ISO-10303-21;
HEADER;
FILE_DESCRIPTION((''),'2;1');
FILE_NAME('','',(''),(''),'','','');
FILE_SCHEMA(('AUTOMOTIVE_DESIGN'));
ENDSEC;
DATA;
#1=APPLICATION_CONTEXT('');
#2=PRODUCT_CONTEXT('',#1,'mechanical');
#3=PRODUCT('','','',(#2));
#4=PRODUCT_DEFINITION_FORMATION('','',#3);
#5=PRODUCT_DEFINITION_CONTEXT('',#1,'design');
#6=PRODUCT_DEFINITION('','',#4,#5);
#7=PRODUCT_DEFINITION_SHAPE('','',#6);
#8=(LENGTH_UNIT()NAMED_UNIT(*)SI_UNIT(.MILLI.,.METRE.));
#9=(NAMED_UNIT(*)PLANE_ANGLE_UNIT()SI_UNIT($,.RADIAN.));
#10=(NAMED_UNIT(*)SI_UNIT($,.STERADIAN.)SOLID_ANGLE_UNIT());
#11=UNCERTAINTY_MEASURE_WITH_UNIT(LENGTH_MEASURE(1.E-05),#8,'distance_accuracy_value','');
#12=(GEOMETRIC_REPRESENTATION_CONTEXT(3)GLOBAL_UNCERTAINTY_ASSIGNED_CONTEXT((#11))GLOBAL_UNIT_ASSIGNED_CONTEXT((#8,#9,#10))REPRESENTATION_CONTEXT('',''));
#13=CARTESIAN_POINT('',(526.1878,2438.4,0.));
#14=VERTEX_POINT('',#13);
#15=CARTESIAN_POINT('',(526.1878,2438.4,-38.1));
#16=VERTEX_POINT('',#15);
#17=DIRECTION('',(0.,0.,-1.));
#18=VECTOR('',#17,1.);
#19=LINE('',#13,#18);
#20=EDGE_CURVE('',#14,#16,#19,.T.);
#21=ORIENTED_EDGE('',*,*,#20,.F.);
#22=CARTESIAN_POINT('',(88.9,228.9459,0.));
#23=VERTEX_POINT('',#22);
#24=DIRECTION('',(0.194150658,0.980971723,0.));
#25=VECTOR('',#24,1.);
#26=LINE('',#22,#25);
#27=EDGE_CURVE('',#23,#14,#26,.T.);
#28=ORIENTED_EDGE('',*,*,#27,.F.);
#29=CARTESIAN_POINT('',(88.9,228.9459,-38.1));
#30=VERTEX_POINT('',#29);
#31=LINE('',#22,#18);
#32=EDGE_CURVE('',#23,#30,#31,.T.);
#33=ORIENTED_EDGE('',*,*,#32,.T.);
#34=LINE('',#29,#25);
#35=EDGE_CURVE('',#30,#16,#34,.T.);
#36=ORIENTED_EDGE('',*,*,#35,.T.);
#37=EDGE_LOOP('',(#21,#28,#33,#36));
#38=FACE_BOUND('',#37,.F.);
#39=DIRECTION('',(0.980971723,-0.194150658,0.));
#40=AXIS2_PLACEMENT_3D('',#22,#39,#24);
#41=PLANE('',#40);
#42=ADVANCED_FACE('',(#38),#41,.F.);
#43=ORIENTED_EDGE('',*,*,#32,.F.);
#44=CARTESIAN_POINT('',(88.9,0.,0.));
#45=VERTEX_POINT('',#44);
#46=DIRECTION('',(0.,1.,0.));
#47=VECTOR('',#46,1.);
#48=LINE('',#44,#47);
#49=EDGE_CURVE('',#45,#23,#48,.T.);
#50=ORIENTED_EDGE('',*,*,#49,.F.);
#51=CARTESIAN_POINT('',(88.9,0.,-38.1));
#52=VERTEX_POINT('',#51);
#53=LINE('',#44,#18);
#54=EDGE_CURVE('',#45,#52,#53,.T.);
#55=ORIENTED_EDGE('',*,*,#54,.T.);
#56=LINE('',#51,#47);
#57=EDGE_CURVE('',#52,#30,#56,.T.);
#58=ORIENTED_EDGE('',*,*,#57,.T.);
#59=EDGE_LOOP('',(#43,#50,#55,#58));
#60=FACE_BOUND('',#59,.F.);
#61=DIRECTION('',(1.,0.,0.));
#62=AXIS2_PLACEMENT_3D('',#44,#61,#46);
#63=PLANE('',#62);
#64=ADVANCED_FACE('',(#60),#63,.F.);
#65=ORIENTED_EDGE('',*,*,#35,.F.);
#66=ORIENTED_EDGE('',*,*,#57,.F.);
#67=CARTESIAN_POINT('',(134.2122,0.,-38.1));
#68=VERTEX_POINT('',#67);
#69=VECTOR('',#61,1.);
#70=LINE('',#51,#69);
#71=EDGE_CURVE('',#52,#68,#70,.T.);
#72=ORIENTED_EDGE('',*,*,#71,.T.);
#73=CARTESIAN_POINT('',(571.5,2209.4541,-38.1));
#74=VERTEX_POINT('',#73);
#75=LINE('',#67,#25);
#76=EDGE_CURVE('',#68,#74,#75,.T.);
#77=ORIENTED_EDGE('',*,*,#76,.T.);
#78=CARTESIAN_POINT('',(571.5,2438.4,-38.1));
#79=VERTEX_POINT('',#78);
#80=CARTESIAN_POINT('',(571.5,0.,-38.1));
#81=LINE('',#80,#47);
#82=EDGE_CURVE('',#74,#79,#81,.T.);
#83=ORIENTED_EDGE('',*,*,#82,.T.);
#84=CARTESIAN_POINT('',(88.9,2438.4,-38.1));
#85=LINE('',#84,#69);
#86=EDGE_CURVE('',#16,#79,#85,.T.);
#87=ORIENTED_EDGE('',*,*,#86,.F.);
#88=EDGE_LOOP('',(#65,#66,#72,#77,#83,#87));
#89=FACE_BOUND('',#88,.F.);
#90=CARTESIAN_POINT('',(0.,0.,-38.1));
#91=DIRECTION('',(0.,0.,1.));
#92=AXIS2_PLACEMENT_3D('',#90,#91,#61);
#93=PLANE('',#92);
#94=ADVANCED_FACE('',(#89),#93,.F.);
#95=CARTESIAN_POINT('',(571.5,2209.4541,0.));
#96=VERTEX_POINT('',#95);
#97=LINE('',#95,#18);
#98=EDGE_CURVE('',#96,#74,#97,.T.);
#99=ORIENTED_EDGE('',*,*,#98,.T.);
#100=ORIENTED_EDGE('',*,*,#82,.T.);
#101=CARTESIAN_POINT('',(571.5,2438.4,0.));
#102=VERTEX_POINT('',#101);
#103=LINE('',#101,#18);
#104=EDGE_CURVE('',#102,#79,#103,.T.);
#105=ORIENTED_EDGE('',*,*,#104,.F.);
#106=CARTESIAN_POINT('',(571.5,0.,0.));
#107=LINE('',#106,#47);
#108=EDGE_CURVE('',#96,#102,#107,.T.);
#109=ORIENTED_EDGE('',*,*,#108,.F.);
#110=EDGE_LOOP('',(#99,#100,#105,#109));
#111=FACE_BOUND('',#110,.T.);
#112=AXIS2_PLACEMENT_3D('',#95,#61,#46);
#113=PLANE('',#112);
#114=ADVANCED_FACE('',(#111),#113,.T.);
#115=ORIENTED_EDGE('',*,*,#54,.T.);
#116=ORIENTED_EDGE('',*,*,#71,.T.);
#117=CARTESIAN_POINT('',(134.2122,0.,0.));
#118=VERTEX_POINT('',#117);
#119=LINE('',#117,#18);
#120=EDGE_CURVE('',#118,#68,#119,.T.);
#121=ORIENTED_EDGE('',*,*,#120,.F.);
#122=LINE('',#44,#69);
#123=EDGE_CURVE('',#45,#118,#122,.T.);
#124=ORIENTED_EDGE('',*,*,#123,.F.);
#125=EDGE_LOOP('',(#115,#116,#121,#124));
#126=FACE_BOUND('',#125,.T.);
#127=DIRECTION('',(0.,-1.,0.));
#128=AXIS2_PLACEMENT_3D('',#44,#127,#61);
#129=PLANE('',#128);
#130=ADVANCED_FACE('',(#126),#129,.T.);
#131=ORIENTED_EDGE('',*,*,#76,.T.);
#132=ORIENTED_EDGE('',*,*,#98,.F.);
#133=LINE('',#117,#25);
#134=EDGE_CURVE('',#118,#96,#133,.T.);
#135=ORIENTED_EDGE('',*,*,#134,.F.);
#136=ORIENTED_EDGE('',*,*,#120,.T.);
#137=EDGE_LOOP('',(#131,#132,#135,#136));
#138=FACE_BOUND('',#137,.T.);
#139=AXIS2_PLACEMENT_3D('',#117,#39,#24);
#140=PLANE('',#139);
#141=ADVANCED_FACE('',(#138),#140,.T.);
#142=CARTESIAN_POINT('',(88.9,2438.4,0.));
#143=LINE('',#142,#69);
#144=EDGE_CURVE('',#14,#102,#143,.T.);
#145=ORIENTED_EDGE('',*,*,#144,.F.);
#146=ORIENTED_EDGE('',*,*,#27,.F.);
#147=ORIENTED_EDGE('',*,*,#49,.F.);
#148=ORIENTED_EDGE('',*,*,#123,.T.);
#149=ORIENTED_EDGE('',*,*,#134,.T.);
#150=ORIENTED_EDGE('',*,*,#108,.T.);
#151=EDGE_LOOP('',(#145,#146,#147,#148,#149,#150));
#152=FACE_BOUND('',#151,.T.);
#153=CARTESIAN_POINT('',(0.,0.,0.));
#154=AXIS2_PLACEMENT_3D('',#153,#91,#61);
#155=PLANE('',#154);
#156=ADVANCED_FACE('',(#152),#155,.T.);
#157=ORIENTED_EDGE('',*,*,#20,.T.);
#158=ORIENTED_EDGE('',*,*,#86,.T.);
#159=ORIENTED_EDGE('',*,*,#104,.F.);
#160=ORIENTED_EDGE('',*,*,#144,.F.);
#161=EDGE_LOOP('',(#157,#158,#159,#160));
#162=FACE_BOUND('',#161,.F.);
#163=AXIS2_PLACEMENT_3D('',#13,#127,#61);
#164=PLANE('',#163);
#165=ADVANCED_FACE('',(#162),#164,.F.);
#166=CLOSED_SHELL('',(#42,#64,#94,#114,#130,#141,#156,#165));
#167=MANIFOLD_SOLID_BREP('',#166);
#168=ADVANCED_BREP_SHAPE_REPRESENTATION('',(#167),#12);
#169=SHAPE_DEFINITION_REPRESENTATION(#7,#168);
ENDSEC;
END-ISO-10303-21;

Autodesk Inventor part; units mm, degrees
ref_plane "YZ Plane" through (0, 0, 0) normal (1, 0, 0) x (0, 1, 0)
ref_plane "XZ Plane" through (0, 0, 0) normal (0, 1, 0) x (-1, 0, 0)
ref_plane "XY Plane" through (0, 0, 0) normal (0, 0, 1) x (1, 0, 0)
sketch "Sketch1" plane through (0, 0, 0) normal (0, 0, 1) x (1, 0, 0)
  line L0 (571.5, 0) -> (571.5, 2438.4) projected
  line L1 (88.9, 0) -> (2349.5, 0) projected
  line L2 (88.9, 0) -> (88.9, 2438.4) projected
  line L3 (88.9, 2438.4) -> (2349.5, 2438.4) projected
  line L4 (134.2122, 0) -> (571.5, 2209.4541)
  line L5 (88.9, 228.9459) -> (526.1878, 2438.4)
  line L6 (134.2122, 0) -> (88.9, 0)
  line L7 (526.1878, 2438.4) -> (571.5, 2438.4)
  line L8 (571.5, 2209.4541) -> (571.5, 2438.4)
  line L9 (88.9, 228.9459) -> (88.9, 0)
  point P0 (0, 0)
extrude "Extrusion1" add sketch "Sketch1" against normal blind 38.1 contours L4 L1 L2 L5 L3 L0
properties part number "s28x2x4"
